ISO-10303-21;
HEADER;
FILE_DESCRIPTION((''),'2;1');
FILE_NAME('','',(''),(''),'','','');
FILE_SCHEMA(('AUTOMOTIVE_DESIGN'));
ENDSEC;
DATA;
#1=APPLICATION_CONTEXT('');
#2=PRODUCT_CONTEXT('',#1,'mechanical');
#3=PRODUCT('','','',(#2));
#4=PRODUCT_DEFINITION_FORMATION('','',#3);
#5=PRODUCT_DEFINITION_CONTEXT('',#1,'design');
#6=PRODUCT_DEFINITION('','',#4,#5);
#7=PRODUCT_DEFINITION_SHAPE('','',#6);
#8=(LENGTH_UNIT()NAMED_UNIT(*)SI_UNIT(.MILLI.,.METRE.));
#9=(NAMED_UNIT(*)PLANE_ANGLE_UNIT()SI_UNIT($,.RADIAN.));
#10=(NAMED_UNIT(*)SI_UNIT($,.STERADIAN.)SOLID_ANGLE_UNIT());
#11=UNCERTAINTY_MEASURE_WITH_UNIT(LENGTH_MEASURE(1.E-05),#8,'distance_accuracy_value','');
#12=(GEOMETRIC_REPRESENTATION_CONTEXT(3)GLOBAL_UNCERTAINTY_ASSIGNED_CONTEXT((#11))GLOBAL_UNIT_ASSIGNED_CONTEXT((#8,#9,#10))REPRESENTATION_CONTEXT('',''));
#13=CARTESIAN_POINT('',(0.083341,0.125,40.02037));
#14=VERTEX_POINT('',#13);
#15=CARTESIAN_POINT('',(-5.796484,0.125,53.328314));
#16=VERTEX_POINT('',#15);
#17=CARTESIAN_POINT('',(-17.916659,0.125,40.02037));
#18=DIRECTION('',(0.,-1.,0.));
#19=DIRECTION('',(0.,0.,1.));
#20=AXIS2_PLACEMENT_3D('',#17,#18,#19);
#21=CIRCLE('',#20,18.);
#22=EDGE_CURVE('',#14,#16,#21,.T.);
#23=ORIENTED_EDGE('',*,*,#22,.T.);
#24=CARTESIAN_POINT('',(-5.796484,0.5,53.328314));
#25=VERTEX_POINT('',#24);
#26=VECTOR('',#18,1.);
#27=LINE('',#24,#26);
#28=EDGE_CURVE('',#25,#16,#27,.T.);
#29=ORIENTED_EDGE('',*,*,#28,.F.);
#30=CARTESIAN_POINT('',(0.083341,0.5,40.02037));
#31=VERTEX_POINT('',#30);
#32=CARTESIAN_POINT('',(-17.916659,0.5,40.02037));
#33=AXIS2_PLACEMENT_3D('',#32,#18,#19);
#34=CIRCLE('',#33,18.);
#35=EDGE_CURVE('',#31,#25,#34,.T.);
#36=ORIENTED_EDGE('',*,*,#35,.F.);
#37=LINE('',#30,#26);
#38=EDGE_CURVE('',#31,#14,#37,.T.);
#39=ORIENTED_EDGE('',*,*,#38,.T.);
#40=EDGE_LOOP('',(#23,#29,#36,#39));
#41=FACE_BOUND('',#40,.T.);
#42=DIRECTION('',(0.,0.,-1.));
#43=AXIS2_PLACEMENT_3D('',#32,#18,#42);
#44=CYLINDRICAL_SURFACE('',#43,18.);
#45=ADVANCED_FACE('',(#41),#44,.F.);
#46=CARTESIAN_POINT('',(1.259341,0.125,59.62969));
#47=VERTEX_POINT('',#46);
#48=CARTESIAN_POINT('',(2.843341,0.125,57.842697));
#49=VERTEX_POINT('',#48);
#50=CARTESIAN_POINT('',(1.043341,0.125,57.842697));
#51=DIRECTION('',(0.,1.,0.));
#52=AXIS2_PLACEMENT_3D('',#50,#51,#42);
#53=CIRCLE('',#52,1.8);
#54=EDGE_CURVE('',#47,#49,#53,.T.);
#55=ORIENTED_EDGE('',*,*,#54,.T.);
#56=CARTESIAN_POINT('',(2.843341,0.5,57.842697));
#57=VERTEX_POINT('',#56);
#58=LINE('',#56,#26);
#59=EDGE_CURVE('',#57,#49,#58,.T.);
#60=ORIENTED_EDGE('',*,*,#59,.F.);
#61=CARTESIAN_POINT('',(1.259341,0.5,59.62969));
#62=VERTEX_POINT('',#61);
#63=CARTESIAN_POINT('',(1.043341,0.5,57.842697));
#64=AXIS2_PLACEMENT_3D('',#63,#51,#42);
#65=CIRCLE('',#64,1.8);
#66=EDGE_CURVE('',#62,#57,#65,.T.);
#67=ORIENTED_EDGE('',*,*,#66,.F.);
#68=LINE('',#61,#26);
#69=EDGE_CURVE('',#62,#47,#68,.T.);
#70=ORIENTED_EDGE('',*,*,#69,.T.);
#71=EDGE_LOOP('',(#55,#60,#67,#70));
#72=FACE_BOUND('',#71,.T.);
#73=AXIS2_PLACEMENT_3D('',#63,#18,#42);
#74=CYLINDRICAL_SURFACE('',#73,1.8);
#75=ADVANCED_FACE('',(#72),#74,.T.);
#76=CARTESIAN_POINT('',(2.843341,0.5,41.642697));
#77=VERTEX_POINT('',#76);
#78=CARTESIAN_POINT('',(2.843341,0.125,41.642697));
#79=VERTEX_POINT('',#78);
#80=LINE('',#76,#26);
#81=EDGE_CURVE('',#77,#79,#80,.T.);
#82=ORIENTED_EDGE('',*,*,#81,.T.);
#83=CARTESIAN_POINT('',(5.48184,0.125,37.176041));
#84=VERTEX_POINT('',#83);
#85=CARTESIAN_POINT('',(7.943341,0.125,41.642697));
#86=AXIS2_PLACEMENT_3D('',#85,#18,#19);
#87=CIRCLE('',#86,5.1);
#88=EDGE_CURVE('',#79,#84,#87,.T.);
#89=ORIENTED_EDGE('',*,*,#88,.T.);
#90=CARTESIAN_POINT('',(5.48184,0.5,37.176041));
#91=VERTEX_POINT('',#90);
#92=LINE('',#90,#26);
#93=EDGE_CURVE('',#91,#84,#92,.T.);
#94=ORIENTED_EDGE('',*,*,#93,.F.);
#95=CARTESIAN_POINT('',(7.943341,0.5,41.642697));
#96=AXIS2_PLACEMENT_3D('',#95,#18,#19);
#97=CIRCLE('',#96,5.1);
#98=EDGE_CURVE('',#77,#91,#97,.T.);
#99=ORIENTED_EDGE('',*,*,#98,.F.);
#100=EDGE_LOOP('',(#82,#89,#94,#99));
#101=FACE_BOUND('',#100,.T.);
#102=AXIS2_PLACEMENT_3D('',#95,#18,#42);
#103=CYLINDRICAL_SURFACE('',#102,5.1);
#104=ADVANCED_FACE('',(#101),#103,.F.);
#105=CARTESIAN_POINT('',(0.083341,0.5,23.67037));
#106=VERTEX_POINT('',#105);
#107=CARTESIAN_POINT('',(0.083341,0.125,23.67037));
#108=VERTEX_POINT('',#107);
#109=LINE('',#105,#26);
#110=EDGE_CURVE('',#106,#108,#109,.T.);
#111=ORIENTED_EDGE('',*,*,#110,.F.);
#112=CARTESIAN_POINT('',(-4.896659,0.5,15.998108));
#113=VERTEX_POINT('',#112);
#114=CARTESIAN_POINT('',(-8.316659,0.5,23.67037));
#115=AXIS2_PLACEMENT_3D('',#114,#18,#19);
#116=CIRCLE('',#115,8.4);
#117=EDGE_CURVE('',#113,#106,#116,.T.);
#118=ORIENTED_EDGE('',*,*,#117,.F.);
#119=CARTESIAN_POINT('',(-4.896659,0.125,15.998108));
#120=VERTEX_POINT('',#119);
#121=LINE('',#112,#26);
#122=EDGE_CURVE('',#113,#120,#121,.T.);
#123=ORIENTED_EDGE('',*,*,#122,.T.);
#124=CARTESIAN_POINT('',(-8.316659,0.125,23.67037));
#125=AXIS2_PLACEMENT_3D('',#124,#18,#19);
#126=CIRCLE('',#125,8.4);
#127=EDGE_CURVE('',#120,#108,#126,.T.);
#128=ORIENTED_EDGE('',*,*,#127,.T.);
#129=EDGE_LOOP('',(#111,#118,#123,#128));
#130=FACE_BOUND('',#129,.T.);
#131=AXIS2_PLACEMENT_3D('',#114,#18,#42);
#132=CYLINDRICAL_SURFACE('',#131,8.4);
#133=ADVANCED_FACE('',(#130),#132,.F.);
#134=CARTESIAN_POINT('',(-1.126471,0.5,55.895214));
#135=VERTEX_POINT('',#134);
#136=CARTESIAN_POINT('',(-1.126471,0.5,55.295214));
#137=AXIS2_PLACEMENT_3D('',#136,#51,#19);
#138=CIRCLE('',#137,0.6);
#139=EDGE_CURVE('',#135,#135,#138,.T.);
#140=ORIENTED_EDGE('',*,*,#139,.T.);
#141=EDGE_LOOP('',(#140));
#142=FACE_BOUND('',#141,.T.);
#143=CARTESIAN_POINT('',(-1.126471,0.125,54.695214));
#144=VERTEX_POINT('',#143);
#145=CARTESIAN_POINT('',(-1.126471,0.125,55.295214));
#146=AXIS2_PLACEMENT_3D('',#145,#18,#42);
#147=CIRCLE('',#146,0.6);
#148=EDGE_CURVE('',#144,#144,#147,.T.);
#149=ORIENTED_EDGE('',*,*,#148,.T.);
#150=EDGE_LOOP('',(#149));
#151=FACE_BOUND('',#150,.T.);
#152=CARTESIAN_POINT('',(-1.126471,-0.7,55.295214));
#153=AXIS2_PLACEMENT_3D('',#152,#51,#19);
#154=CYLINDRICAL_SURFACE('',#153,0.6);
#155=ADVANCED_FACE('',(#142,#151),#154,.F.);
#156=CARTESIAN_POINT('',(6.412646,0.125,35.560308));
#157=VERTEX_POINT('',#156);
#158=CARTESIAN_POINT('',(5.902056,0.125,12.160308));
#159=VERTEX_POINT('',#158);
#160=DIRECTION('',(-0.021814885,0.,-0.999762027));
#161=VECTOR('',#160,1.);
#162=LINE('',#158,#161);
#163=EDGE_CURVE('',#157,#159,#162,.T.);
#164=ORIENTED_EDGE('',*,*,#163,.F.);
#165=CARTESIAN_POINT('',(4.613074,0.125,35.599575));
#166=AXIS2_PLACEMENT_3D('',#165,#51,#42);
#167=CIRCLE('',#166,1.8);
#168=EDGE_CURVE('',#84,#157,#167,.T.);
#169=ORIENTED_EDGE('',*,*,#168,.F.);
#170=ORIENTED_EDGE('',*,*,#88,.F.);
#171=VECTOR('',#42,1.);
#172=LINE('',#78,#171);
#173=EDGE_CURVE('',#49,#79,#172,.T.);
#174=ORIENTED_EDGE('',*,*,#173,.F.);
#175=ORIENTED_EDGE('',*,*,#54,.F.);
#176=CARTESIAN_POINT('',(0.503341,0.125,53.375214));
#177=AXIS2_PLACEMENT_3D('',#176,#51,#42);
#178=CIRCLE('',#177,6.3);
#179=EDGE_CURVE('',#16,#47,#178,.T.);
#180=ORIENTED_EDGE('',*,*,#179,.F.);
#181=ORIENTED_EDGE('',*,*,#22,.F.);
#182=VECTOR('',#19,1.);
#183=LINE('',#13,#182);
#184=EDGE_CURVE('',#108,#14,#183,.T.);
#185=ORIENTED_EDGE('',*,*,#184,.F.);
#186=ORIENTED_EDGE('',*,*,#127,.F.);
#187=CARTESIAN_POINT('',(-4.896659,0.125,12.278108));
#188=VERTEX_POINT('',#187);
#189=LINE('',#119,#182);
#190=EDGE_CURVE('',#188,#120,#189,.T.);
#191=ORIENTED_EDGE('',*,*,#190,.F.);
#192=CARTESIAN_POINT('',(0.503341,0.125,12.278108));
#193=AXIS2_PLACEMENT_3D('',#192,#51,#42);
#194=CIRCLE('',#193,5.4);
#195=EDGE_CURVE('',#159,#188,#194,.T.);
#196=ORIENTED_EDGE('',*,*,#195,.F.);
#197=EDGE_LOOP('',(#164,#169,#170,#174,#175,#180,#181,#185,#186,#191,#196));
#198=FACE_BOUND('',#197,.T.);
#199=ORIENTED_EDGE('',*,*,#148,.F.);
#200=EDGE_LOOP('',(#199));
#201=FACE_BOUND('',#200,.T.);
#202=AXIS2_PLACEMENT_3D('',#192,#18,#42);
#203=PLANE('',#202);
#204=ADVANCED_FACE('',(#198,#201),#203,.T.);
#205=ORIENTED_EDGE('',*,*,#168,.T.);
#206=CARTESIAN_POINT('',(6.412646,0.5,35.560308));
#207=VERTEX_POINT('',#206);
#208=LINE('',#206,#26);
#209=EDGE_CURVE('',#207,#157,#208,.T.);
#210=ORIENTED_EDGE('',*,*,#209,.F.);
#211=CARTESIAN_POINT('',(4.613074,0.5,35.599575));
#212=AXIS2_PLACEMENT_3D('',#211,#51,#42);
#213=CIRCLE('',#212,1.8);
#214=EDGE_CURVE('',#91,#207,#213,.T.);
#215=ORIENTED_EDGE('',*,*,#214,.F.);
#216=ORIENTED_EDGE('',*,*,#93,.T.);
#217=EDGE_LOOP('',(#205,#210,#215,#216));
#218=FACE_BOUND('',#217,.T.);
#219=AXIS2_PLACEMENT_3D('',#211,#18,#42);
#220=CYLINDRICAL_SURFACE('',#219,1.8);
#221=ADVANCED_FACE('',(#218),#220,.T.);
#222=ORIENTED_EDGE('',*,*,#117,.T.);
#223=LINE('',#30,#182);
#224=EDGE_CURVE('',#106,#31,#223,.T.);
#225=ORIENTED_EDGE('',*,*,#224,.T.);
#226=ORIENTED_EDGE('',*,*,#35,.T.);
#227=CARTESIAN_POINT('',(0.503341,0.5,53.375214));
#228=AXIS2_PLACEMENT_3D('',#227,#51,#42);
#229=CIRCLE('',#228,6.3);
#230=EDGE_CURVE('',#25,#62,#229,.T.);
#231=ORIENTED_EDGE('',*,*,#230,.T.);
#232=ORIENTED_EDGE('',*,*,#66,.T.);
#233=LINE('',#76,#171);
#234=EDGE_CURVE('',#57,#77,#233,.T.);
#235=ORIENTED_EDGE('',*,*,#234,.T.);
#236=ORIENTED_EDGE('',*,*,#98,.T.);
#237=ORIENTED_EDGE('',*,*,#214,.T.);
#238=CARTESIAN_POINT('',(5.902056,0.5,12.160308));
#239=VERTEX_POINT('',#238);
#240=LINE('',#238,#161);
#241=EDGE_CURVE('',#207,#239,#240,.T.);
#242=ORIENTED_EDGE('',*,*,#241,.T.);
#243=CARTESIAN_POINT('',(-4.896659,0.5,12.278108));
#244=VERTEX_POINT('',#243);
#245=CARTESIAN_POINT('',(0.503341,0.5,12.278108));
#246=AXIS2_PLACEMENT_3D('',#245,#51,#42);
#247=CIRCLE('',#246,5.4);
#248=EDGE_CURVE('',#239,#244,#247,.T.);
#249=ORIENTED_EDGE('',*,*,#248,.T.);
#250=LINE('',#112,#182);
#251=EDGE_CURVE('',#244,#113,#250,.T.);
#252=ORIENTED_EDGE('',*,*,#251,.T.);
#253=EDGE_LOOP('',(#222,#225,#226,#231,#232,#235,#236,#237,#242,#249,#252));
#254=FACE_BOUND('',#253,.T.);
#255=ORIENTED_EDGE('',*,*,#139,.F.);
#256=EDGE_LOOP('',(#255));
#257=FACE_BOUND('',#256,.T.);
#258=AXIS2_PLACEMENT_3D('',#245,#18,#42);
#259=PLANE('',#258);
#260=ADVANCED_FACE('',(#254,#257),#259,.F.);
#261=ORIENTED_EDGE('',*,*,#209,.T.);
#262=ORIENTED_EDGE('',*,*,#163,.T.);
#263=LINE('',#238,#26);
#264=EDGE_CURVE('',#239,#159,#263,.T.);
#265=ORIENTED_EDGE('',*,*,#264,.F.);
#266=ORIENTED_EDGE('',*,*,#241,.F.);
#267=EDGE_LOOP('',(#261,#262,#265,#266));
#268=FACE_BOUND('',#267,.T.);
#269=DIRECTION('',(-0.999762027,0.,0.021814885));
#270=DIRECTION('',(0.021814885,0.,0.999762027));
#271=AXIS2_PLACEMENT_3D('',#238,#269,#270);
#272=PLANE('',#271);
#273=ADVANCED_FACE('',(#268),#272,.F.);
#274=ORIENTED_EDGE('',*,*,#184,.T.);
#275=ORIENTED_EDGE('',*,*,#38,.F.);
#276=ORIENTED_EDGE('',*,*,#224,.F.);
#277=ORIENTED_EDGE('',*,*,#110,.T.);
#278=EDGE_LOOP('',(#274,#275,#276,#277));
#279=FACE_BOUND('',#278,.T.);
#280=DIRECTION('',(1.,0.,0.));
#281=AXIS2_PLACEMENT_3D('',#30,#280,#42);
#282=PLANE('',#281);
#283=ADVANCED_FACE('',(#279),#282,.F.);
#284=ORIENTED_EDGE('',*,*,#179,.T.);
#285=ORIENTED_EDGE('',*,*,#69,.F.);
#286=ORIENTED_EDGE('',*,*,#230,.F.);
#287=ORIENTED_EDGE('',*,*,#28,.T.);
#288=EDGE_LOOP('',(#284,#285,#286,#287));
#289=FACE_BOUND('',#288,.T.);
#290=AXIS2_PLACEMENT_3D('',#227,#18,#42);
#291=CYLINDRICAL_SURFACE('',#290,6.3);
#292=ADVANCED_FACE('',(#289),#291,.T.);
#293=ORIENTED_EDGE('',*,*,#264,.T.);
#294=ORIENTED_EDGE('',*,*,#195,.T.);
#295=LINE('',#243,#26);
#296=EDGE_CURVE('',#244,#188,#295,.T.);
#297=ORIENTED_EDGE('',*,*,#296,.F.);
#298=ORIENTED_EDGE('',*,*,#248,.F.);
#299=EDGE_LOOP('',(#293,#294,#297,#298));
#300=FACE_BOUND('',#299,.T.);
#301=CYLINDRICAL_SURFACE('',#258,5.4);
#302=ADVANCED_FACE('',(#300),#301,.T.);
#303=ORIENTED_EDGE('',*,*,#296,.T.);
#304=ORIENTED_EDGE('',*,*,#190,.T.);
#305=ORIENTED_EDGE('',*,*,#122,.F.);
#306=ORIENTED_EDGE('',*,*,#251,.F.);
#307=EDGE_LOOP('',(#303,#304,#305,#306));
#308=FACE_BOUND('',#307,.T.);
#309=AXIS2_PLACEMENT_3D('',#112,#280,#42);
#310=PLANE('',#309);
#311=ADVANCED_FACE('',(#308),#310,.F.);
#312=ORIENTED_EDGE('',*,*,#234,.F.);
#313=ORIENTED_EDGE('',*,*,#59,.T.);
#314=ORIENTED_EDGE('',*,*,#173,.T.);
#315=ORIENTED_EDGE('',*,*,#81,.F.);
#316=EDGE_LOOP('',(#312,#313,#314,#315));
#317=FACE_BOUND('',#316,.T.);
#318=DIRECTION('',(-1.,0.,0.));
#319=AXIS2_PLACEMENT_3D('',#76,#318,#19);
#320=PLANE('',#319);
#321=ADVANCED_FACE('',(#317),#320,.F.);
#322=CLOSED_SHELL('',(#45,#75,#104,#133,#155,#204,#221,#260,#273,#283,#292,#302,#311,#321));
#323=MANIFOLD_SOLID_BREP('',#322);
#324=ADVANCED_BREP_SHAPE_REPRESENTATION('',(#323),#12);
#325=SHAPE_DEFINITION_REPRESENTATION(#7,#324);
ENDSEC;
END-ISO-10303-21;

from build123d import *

# Parameters (mm, degrees)
BOSS_EXTRUDE1_DEPTH = 0.625
SKETCH2_R           = 1
CUT_EXTRUDE1_DEPTH  = 2
SCALE1_SCALE        = 0.6


with BuildPart() as part:
    # Sketch1 → Boss-Extrude1 (new body)
    with BuildSketch(Plane(origin=(0, 0, 0), x_dir=(1, 0, 0), z_dir=(0, 1, 0))):
        with BuildLine():
            Line((8.997858244, 0.196333965), (9.848841271, -38.803666035))
            ThreePointArc((9.848841271, -38.803666035), (9.449049837, -40.366651199), (8.297497314, -41.496555))
            ThreePointArc((8.297497314, -41.496555), (5.081486735, -44.617860887), (3.9, -48.940980546))
            Line((3.9, -48.940980546), (3.9, -75.940980546))
            ThreePointArc((3.9, -75.940980546), (3.144994432, -77.930955421), (1.26, -78.919302221))
            ThreePointArc((1.26, -78.919302221), (-6.994111479, -76.326677148), (-10.499709039, -68.417009214))
            ThreePointArc((-10.499709039, -68.417009214), (-3.259075008, -58.361278544), (-0.7, -46.237102878))
            Line((-0.7, -46.237102878), (-0.7, -18.987102878))
            ThreePointArc((-0.7, -18.987102878), (-2.95691693, -11.364767277), (-9, -6.2))
            Line((-9, -6.2), (-9, 0))
            ThreePointArc((-9, 0), (-0.098172823, 8.999464545), (8.997858244, 0.196333965))
        make_face()
    extrude(amount=BOSS_EXTRUDE1_DEPTH)

    # Sketch2 → Cut-Extrude1 (cut)
    with BuildSketch(Plane(origin=(0, 0.625, 0), x_dir=(1, 0, 0), z_dir=(0, 1, 0))):
        with Locations(Location((-2.716354086, -71.695176359, 0), (0, 0, 270))):
            Circle(SKETCH2_R)
    extrude(amount=-CUT_EXTRUDE1_DEPTH, mode=Mode.SUBTRACT)


with BuildPart() as part_1:
    # Scale1: scaled about (1.258353423, 0.3125, 30.69527069)
    add(part.part.scale(SCALE1_SCALE).moved(Location((0.503341369, 0.125, 12.278108276))))


solid = part_1.part
